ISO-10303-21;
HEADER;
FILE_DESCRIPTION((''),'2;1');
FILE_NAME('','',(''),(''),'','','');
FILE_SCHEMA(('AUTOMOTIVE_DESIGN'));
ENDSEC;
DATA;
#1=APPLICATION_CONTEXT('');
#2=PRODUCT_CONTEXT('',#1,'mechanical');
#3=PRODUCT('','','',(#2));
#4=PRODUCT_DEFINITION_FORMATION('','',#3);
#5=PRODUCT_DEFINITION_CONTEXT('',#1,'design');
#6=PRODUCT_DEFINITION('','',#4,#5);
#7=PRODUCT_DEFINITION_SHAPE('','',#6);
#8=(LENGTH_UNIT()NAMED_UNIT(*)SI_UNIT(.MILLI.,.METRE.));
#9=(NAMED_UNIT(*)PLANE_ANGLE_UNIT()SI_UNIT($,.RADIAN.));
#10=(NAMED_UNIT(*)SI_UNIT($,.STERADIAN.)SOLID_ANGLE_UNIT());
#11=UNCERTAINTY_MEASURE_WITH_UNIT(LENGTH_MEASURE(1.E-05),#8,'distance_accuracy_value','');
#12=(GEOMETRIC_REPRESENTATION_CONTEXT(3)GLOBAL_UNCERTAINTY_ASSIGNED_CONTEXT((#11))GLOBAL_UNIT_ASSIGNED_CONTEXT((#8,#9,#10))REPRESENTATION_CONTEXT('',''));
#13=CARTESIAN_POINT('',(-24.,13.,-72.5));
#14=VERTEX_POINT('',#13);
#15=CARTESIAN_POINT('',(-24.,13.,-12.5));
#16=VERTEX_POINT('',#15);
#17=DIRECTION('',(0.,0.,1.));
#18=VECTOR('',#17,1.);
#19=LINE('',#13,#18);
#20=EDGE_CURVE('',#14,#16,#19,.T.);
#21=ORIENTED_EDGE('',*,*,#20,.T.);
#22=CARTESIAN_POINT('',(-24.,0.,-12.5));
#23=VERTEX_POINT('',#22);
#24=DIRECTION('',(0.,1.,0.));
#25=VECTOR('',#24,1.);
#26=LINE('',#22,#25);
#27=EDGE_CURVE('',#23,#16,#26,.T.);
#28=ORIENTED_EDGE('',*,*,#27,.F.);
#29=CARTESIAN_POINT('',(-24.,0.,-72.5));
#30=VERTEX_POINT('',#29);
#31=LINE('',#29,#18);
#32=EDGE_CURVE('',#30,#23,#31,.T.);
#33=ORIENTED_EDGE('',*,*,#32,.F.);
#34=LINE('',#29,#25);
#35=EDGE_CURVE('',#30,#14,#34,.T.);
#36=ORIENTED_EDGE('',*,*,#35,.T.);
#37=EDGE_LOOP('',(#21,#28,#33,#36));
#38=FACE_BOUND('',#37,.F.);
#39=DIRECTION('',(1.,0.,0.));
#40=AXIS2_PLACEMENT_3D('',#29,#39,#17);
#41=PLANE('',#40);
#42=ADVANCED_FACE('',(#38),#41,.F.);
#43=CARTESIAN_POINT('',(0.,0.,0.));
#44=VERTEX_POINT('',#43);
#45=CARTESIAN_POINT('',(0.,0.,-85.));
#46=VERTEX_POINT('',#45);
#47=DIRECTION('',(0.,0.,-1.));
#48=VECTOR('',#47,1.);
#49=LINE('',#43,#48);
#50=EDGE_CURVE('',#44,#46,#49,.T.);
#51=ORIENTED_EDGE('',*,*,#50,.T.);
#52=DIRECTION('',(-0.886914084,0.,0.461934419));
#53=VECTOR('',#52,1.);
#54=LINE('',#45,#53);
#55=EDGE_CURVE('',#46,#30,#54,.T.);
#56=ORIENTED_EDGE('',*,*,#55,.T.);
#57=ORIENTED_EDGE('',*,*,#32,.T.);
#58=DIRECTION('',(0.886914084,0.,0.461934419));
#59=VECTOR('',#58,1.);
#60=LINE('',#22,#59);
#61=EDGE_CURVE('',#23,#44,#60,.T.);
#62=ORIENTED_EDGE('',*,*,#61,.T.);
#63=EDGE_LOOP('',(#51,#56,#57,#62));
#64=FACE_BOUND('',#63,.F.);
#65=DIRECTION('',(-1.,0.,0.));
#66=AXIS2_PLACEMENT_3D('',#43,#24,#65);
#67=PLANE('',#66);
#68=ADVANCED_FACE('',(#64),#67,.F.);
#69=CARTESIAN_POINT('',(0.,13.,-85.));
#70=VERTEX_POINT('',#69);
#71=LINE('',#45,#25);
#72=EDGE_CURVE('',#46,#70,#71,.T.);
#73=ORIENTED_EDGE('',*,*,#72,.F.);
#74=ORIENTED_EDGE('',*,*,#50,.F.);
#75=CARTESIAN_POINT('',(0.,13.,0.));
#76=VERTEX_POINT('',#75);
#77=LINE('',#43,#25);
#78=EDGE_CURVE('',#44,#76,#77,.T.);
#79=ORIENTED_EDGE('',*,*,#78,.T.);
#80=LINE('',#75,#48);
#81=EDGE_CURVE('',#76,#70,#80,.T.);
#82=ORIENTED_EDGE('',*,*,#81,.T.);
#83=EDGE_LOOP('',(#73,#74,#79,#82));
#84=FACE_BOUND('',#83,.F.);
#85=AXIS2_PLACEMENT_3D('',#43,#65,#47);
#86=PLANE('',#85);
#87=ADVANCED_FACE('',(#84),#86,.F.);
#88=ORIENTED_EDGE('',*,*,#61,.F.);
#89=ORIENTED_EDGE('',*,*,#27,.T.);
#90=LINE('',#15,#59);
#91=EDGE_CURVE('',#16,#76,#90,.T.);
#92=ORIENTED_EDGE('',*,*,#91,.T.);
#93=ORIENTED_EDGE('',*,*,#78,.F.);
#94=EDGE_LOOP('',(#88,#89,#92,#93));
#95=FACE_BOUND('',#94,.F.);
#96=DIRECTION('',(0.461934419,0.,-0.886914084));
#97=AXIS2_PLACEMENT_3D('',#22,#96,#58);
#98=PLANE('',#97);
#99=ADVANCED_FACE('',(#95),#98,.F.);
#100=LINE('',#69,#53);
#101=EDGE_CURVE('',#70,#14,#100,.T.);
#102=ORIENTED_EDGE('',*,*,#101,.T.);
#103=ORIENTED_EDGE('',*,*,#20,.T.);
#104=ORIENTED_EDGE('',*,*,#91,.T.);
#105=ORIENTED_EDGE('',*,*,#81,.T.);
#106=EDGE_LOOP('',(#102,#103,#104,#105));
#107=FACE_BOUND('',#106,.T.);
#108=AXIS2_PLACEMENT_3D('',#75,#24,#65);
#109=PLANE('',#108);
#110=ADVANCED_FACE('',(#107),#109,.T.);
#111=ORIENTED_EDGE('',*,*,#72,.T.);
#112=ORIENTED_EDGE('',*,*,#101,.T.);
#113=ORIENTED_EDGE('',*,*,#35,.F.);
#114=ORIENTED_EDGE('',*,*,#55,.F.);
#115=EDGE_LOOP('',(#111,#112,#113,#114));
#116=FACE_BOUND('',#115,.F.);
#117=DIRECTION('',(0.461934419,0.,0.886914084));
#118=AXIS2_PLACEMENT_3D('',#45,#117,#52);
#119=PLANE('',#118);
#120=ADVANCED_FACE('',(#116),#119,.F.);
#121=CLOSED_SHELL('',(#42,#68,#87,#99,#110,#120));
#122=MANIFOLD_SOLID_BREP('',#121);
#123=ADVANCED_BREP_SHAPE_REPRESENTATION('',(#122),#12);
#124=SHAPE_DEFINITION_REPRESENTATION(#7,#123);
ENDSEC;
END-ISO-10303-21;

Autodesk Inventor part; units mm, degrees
ref_plane "YZ Plane" through (0, 0, 0) normal (1, 0, 0) x (0, 1, 0)
ref_plane "XZ Plane" through (0, 0, 0) normal (0, 1, 0) x (-1, 0, 0)
ref_plane "XY Plane" through (0, 0, 0) normal (0, 0, 1) x (1, 0, 0)
sketch "Sketch1" plane through (0, 0, 0) normal (0, 1, 0) x (-1, 0, 0)
  line L0 (0, 0) -> (0, -85)
  line L1 (0, -85) -> (24, -72.5)
  line L2 (24, -72.5) -> (24, -12.5)
  line L3 (24, -12.5) -> (0, 0)
  dimension "d1" = 24
  dimension "d2" = 85
  dimension "d3" = 60
extrude "Extrusion1" add sketch "Sketch1" along normal blind 13
properties part number "ButtonPanel"
